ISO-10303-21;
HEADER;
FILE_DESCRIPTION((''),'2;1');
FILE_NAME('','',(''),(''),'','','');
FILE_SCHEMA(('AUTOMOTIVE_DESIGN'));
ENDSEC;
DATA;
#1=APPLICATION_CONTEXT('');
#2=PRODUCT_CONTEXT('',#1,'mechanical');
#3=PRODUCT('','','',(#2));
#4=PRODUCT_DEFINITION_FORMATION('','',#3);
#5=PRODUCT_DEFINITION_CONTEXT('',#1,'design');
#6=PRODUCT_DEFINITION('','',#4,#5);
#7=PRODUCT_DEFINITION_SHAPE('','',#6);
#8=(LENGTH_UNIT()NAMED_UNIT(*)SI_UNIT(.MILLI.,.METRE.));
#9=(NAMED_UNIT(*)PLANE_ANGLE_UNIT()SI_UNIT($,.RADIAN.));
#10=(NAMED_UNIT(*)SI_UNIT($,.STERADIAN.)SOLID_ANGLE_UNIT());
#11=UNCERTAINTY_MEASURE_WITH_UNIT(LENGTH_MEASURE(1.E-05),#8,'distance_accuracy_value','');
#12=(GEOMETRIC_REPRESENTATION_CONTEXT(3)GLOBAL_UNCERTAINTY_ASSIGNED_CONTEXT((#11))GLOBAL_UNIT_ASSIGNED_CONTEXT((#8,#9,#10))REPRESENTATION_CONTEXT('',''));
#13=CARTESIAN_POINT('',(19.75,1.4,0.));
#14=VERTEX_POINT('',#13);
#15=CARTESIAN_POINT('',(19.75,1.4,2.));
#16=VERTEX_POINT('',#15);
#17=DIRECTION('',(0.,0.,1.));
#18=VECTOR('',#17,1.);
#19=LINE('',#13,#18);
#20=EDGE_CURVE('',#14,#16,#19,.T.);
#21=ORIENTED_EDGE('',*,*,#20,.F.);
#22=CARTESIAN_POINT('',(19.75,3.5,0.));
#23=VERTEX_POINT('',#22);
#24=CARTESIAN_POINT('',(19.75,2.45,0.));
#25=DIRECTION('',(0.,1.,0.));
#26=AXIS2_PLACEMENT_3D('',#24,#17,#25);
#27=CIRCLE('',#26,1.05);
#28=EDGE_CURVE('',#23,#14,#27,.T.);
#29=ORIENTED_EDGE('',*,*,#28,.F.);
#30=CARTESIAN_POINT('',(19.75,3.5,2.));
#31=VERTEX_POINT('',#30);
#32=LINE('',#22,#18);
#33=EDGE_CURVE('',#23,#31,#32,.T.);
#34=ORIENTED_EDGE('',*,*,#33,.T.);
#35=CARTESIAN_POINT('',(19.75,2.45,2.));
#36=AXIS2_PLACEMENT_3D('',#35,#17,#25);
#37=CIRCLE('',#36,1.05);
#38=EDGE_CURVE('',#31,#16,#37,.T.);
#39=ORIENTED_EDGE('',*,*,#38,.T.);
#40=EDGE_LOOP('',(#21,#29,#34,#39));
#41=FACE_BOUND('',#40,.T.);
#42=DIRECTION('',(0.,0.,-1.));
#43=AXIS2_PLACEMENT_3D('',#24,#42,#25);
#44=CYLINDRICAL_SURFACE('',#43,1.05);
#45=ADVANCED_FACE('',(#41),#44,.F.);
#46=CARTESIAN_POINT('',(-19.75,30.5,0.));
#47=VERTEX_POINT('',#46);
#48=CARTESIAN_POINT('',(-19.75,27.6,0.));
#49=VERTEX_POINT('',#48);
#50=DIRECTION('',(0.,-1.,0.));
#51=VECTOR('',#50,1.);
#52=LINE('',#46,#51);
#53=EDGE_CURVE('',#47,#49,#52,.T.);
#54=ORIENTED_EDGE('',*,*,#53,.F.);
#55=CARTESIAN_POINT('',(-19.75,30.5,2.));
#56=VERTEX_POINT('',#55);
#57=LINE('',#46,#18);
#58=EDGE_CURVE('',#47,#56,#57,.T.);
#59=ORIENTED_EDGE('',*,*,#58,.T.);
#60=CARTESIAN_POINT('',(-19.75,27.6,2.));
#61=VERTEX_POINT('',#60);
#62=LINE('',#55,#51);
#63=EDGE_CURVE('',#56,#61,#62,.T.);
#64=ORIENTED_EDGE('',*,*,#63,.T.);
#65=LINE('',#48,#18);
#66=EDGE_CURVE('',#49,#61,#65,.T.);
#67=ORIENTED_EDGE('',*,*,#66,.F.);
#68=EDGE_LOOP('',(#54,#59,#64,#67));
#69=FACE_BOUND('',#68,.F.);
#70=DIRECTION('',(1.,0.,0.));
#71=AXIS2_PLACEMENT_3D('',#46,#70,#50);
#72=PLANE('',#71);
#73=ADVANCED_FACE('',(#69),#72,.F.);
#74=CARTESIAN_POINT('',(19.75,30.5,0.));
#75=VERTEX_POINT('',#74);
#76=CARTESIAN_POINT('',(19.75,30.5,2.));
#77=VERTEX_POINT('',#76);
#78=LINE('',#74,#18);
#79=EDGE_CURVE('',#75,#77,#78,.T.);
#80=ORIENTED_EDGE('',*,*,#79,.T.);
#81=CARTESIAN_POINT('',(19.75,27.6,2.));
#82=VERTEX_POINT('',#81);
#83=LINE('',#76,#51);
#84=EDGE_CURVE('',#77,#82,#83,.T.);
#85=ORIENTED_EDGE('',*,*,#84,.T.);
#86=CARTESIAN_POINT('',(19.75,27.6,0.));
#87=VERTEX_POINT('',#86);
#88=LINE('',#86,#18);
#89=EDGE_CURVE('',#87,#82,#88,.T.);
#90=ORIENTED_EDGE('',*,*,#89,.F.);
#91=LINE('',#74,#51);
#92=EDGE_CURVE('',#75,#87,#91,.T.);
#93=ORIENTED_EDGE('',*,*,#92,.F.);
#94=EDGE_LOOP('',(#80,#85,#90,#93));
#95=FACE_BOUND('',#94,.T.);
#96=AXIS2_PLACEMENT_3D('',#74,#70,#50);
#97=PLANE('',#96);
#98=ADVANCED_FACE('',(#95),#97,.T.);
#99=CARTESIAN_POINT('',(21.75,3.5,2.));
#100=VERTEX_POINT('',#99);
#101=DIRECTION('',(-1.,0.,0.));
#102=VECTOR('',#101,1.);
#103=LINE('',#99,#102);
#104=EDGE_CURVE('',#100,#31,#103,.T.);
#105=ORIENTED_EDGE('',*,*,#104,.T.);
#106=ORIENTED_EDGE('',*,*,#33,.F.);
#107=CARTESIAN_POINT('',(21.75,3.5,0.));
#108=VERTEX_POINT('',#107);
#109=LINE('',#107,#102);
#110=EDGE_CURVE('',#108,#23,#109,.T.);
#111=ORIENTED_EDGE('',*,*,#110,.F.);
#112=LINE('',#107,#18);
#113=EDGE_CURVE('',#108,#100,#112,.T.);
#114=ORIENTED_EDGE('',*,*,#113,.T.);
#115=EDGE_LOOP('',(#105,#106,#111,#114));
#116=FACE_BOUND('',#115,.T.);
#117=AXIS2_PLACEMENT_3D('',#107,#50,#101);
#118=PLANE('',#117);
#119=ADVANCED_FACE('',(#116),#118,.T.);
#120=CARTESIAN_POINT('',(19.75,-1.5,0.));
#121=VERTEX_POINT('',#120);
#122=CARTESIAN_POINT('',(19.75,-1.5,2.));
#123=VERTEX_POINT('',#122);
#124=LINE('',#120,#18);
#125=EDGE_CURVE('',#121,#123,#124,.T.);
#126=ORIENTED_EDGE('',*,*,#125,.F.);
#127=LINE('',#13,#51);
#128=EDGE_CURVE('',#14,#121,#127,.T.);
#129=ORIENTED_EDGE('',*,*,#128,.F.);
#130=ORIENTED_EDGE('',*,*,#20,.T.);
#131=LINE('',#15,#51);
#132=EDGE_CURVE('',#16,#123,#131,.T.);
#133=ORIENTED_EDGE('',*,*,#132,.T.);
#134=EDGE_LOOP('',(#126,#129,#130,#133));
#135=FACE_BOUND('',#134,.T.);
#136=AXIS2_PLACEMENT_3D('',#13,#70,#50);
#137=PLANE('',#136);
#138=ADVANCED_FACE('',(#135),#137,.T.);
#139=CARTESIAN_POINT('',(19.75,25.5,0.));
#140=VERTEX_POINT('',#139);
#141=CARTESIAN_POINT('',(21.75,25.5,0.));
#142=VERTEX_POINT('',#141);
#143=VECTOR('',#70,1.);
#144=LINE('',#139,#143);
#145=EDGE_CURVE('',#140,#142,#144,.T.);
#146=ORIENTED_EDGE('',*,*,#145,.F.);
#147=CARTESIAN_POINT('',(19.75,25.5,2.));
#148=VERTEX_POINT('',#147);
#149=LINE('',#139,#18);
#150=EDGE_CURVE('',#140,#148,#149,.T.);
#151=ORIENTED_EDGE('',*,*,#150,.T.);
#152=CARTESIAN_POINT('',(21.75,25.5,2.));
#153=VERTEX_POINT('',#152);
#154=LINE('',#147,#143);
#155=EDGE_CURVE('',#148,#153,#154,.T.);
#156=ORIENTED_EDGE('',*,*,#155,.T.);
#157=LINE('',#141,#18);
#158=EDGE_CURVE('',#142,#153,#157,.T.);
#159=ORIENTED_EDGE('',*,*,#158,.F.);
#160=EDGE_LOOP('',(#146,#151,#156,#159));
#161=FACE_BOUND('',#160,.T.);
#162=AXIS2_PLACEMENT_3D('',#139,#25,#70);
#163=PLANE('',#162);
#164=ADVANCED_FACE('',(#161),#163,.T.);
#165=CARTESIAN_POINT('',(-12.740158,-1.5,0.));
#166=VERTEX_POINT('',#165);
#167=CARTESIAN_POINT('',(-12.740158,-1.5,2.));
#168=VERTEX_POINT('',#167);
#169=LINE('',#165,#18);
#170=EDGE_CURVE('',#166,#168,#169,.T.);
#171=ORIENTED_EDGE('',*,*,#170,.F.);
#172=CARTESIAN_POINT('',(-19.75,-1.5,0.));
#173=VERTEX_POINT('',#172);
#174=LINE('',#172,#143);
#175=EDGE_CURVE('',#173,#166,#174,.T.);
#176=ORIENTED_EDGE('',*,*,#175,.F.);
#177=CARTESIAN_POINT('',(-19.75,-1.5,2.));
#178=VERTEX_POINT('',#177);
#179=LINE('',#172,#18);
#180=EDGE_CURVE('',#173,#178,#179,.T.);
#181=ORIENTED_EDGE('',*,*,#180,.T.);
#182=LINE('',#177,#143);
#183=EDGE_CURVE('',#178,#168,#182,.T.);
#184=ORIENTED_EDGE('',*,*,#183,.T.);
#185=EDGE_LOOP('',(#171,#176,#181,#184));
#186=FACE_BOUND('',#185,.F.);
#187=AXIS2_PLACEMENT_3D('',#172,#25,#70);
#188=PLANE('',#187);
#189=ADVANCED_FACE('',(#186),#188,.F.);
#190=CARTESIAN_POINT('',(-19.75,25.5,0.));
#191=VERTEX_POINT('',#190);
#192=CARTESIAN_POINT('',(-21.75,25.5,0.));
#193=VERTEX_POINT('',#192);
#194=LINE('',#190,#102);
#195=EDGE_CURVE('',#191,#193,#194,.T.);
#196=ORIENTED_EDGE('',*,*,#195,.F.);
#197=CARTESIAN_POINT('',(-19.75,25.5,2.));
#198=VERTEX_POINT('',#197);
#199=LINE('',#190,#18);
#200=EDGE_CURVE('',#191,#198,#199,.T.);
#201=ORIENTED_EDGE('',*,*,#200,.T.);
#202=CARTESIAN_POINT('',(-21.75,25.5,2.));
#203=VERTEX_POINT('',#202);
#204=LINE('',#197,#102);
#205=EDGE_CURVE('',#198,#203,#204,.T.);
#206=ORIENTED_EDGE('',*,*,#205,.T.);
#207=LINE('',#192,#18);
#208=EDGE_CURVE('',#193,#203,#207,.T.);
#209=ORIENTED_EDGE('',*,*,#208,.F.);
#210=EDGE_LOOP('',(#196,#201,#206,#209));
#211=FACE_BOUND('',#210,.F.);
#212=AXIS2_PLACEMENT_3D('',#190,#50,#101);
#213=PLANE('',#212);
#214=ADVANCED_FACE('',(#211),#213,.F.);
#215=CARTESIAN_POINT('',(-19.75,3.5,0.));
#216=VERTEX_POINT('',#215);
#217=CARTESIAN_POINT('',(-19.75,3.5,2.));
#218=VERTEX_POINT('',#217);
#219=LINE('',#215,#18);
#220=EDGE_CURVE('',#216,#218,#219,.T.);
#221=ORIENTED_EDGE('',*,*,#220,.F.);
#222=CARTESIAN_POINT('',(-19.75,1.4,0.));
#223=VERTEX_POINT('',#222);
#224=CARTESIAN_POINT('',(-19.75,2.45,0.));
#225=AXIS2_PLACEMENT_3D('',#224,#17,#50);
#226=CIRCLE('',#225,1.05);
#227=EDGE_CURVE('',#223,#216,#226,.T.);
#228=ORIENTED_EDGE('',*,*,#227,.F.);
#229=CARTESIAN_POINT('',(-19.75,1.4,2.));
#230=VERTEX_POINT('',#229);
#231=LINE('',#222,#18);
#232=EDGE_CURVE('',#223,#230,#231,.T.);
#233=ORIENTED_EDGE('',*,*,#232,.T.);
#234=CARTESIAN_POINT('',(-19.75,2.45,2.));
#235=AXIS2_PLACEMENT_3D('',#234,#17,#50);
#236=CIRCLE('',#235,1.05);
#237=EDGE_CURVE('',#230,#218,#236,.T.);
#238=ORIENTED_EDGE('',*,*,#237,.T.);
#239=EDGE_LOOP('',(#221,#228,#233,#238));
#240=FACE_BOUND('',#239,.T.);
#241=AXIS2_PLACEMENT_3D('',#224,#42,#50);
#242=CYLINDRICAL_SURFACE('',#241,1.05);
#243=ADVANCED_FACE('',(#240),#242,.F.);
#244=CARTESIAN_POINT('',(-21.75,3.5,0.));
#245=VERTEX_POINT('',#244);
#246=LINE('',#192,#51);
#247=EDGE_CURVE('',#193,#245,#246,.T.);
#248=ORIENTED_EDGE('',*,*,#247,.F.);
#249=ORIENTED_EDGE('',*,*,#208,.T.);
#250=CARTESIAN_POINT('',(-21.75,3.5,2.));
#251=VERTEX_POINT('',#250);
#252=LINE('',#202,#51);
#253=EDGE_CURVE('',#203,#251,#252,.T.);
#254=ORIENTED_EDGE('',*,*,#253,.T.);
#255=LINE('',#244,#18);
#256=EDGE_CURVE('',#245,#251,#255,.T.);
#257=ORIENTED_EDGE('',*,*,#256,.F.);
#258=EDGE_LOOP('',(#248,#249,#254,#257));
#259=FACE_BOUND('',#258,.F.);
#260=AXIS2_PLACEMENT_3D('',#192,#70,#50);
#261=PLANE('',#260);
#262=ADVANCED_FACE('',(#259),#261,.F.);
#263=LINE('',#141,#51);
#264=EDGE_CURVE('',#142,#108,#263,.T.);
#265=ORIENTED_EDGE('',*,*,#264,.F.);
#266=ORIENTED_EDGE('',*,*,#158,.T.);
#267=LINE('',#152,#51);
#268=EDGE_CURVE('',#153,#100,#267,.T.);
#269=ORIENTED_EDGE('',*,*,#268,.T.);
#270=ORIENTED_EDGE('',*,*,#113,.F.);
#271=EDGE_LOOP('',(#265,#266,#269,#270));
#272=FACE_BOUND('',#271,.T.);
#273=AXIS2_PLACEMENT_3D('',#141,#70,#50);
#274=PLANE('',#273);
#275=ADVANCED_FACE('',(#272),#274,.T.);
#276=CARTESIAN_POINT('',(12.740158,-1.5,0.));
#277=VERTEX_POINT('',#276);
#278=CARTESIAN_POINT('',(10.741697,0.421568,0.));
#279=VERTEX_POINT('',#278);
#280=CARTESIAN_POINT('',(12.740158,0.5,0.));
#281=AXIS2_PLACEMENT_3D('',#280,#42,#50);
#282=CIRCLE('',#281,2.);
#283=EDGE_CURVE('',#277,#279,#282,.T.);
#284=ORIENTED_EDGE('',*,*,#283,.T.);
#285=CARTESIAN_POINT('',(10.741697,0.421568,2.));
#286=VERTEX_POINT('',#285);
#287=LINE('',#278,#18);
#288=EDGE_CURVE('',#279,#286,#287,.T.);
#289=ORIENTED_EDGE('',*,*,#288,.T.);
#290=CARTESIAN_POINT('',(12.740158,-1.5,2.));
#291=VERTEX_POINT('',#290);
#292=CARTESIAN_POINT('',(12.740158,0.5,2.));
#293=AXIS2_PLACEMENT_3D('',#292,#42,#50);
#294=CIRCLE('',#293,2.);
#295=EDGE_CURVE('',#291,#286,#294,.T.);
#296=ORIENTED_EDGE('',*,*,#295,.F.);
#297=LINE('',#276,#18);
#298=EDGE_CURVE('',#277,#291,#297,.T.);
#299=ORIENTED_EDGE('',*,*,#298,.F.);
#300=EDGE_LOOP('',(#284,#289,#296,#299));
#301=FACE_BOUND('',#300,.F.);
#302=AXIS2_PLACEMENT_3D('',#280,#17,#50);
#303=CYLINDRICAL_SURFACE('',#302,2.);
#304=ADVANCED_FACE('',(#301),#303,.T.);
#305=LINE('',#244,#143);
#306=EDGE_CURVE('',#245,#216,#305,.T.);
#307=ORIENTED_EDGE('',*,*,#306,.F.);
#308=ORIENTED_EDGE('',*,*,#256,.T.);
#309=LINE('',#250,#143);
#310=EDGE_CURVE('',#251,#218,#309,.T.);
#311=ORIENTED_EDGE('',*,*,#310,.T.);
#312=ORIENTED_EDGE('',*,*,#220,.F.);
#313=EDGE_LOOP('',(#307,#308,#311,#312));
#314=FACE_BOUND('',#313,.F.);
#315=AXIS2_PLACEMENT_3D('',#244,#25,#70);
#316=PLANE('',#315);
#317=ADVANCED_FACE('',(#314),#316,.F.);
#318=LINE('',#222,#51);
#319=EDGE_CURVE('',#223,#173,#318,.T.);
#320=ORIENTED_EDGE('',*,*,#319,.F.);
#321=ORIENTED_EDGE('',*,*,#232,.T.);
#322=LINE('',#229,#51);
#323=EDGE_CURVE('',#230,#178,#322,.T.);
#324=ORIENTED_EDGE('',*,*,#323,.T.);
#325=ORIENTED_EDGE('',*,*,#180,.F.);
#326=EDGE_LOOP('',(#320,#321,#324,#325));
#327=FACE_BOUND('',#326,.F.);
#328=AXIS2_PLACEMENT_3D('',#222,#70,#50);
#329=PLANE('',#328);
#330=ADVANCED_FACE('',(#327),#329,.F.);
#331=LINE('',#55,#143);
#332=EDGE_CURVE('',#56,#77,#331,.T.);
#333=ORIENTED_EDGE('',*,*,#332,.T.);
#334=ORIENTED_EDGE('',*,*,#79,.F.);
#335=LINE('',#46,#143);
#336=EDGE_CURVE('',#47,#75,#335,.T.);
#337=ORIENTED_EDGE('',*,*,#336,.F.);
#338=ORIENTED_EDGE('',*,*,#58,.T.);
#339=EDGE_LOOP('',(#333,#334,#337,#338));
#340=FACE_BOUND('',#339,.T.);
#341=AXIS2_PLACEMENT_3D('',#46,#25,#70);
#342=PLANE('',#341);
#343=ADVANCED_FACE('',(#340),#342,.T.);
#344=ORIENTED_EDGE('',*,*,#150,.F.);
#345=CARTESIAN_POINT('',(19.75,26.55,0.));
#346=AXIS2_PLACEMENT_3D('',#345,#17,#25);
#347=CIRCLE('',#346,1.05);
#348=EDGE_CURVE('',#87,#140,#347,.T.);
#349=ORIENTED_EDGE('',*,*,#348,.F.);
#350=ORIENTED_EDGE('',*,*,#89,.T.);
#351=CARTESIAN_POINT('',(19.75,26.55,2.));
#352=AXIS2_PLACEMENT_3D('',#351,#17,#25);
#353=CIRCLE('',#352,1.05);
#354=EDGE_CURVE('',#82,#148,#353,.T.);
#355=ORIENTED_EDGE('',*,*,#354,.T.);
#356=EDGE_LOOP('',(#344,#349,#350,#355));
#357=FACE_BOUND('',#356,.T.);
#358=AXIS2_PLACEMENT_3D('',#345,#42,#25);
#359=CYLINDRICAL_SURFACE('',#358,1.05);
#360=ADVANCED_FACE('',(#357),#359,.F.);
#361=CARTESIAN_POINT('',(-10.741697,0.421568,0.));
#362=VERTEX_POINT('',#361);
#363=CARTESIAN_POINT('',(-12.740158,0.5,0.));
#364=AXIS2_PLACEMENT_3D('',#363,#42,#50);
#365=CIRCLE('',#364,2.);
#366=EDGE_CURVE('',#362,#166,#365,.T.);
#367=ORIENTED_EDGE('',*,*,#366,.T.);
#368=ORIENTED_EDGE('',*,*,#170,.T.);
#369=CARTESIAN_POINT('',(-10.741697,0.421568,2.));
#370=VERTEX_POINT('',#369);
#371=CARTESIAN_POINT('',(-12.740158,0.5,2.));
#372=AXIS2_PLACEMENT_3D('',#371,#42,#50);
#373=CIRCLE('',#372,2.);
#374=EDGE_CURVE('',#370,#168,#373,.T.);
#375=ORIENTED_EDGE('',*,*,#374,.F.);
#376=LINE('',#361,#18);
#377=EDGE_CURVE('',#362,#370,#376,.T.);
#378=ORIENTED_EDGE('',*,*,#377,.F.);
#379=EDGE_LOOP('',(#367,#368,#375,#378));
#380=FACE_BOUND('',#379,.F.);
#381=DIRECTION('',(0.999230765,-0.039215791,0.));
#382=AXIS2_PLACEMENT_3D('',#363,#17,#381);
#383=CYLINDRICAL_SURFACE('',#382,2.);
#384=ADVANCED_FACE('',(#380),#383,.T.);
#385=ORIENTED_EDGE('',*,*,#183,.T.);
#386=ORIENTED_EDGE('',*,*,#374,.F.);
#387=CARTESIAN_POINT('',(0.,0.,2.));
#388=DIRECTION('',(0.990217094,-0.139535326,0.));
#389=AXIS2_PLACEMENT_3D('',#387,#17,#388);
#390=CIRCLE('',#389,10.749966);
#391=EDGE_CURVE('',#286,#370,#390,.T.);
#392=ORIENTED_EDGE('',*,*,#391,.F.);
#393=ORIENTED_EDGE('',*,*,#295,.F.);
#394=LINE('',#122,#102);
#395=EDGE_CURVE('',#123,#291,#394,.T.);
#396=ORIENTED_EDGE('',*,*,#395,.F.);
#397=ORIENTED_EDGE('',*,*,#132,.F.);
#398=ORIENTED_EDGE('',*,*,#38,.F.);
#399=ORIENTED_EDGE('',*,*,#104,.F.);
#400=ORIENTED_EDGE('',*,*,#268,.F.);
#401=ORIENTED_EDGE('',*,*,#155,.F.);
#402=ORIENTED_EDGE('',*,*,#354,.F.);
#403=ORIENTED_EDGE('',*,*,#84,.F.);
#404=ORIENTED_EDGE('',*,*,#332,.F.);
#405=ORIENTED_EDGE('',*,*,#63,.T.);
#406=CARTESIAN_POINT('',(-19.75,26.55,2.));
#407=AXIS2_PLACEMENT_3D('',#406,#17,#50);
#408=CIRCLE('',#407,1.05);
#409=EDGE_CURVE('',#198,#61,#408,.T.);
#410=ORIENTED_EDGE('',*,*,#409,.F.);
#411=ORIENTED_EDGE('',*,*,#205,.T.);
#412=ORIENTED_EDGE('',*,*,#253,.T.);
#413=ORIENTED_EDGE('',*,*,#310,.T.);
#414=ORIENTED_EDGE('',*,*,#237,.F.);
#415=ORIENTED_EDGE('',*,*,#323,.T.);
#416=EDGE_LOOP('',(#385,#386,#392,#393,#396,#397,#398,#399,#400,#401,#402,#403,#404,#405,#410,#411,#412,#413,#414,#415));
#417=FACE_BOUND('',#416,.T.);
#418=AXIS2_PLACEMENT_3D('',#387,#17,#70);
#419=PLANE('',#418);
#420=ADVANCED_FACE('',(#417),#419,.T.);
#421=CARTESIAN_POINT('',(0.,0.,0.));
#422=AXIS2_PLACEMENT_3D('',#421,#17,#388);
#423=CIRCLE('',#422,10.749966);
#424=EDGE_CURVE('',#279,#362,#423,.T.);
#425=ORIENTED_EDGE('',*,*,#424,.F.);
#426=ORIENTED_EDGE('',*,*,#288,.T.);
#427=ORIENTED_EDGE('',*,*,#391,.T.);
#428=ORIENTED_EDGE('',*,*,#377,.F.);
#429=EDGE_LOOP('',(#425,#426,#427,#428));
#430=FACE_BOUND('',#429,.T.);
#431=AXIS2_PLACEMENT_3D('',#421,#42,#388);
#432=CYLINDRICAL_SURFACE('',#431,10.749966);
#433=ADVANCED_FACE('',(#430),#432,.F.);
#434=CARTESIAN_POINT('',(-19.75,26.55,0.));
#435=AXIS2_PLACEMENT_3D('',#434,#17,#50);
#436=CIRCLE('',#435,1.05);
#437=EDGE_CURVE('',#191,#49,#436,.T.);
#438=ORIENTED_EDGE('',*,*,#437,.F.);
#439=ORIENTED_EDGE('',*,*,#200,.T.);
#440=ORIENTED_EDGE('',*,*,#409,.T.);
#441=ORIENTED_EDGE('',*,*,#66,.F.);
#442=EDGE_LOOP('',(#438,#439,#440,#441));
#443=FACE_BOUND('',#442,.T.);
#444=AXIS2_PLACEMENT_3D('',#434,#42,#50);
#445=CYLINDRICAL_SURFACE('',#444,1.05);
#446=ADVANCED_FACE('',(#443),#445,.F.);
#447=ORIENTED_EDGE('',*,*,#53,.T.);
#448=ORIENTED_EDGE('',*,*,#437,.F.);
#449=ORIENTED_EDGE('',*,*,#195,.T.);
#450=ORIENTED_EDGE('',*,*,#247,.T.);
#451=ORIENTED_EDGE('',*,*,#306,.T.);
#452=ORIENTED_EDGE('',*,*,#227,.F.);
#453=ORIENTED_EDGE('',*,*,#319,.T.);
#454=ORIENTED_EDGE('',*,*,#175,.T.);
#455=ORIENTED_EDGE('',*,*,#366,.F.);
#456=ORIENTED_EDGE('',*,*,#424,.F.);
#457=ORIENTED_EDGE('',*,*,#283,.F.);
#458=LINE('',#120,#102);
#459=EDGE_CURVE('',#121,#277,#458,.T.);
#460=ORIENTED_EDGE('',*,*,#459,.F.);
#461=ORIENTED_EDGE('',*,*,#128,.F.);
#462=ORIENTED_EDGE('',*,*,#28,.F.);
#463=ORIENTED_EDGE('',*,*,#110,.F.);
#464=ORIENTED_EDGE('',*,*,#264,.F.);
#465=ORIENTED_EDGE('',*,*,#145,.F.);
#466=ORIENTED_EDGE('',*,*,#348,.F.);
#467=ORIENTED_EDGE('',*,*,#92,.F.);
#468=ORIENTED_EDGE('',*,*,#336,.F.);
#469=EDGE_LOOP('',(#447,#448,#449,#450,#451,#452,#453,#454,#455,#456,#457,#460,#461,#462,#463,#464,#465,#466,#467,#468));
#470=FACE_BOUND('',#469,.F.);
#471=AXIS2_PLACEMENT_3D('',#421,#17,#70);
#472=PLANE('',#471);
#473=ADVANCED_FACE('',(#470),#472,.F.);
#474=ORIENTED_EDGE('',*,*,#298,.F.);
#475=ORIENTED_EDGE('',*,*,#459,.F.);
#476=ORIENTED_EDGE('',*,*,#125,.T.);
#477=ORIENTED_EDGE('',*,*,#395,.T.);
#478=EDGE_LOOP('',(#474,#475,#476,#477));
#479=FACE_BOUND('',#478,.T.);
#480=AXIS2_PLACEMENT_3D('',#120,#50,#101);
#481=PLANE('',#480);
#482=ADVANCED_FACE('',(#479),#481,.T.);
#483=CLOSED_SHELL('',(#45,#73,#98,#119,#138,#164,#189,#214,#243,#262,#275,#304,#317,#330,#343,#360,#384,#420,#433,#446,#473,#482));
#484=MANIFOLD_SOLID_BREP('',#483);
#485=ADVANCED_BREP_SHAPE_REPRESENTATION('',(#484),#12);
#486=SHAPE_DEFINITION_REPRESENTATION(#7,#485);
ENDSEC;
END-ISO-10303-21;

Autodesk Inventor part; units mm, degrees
ref_plane "YZ Plane" through (0, 0, 0) normal (1, 0, 0) x (0, 1, 0)
ref_plane "XZ Plane" through (0, 0, 0) normal (0, 1, 0) x (-1, 0, 0)
ref_plane "XY Plane" through (0, 0, 0) normal (0, 0, 1) x (1, 0, 0)
sketch "スケッチ1" plane through (0, 0, 0) normal (0, 0, 1) x (1, 0, 0)
  circle A0 centre (0, 0) radius 10.5 construction
  circle A1 centre (-13.5, 1) radius 1.35
  line L0 (-13.5, 28) -> (13.5, 28) construction
  line L1 (13.5, 28) -> (13.5, 1) construction
  line L2 (13.5, 1) -> (-13.5, 1) construction
  line L3 (-13.5, 1) -> (-13.5, 28) construction
  circle A2 centre (-13.5, 28) radius 1.35
  circle A3 centre (13.5, 1) radius 1.35
  circle A4 centre (13.5, 28) radius 1.35
  line L4 (-19.75, 30.5) -> (-19.75, 27.6)
  line L5 (-19.75, 30.5) -> (19.75, 30.5)
  line L6 (19.75, 30.5) -> (19.75, 27.6)
  line L7 (-19.75, 1.4) -> (-19.75, -1.5)
  line L8 (-19.75, -1.5) -> (-10.6448, -1.5)
  line L9 (19.75, 1.4) -> (19.75, -1.5)
  line L10 (19.75, -1.5) -> (10.6448, -1.5)
  line L11 (-19.75, 25.5) -> (-21.75, 25.5)
  line L12 (-21.75, 25.5) -> (-21.75, 3.5)
  line L13 (-21.75, 3.5) -> (-19.75, 3.5)
  arc A5 (-19.75, 25.5) -> (-19.75, 27.6) centre (-19.75, 26.55) ccw
  arc A6 (-19.75, 1.4) -> (-19.75, 3.5) centre (-19.75, 2.45) ccw
  line L14 (19.75, 25.5) -> (21.75, 25.5)
  line L15 (21.75, 25.5) -> (21.75, 3.5)
  line L16 (21.75, 3.5) -> (19.75, 3.5)
  arc A7 (19.75, 27.6) -> (19.75, 25.5) centre (19.75, 26.55) ccw
  line L17 (0, 28) -> (0, 0) construction
  arc A8 (19.75, 3.5) -> (19.75, 1.4) centre (19.75, 2.45) ccw
  line L18 (-13.5, 14.5) -> (-21.75, 14.5) construction
  arc A9 (10.6448, -1.5) -> (-10.6448, -1.5) centre (0, 0) ccw
  point P0 (0, 30.5)
  dimension "d8" = 21
  dimension "d10" = 27
  dimension "d12" = 1
  dimension "d13" = 2.7
  dimension "d38" = 27
  dimension "d44" = 27
  dimension "d47" = 1.05
  dimension "d48" = 39.5
  dimension "d49" = 2
  dimension "d50" = 5
  dimension "d51" = 32
  dimension "d52" = 5
  dimension "d53" = 10.75
extrude "押し出し1" add sketch "スケッチ1" along normal blind 2
fillet "フィレット1" radius 2 2 edges at (-10.6448, -1.5, 1) (10.6448, -1.5, 1)
sketch "スケッチ3" plane through (0, 0, 2) normal (0, 0, 1) x (1, 0, 0)
  circle A0 centre (-13.5, 1) radius 1.35 projected
  circle A1 centre (-13.5, 1) radius 1.35
  circle A2 centre (13.5, 1) radius 1.35 projected
  circle A3 centre (13.5, 1) radius 1.35
  circle A4 centre (13.5, 28) radius 1.35 projected
  circle A5 centre (13.5, 28) radius 1.35
  circle A6 centre (-13.5, 28) radius 1.35 projected
  circle A7 centre (-13.5, 28) radius 1.35
  point P0 (0, 0)
extrude "押し出し3" add sketch "スケッチ3" against normal up to surface (2 mm away)
equation "\"d38\" = d10"
equation "\"d44\" = d10"
equation "\"d50\" = d30"
equation "\"d51\" = d18 + 2 * d30"
equation "\"d52\" = d50"
equation "\"d30\" = 5"
equation "\"d18\" = 22"
properties part number "足首_サブフレーム_1_1" material "アルミニウム 2014-T4"
